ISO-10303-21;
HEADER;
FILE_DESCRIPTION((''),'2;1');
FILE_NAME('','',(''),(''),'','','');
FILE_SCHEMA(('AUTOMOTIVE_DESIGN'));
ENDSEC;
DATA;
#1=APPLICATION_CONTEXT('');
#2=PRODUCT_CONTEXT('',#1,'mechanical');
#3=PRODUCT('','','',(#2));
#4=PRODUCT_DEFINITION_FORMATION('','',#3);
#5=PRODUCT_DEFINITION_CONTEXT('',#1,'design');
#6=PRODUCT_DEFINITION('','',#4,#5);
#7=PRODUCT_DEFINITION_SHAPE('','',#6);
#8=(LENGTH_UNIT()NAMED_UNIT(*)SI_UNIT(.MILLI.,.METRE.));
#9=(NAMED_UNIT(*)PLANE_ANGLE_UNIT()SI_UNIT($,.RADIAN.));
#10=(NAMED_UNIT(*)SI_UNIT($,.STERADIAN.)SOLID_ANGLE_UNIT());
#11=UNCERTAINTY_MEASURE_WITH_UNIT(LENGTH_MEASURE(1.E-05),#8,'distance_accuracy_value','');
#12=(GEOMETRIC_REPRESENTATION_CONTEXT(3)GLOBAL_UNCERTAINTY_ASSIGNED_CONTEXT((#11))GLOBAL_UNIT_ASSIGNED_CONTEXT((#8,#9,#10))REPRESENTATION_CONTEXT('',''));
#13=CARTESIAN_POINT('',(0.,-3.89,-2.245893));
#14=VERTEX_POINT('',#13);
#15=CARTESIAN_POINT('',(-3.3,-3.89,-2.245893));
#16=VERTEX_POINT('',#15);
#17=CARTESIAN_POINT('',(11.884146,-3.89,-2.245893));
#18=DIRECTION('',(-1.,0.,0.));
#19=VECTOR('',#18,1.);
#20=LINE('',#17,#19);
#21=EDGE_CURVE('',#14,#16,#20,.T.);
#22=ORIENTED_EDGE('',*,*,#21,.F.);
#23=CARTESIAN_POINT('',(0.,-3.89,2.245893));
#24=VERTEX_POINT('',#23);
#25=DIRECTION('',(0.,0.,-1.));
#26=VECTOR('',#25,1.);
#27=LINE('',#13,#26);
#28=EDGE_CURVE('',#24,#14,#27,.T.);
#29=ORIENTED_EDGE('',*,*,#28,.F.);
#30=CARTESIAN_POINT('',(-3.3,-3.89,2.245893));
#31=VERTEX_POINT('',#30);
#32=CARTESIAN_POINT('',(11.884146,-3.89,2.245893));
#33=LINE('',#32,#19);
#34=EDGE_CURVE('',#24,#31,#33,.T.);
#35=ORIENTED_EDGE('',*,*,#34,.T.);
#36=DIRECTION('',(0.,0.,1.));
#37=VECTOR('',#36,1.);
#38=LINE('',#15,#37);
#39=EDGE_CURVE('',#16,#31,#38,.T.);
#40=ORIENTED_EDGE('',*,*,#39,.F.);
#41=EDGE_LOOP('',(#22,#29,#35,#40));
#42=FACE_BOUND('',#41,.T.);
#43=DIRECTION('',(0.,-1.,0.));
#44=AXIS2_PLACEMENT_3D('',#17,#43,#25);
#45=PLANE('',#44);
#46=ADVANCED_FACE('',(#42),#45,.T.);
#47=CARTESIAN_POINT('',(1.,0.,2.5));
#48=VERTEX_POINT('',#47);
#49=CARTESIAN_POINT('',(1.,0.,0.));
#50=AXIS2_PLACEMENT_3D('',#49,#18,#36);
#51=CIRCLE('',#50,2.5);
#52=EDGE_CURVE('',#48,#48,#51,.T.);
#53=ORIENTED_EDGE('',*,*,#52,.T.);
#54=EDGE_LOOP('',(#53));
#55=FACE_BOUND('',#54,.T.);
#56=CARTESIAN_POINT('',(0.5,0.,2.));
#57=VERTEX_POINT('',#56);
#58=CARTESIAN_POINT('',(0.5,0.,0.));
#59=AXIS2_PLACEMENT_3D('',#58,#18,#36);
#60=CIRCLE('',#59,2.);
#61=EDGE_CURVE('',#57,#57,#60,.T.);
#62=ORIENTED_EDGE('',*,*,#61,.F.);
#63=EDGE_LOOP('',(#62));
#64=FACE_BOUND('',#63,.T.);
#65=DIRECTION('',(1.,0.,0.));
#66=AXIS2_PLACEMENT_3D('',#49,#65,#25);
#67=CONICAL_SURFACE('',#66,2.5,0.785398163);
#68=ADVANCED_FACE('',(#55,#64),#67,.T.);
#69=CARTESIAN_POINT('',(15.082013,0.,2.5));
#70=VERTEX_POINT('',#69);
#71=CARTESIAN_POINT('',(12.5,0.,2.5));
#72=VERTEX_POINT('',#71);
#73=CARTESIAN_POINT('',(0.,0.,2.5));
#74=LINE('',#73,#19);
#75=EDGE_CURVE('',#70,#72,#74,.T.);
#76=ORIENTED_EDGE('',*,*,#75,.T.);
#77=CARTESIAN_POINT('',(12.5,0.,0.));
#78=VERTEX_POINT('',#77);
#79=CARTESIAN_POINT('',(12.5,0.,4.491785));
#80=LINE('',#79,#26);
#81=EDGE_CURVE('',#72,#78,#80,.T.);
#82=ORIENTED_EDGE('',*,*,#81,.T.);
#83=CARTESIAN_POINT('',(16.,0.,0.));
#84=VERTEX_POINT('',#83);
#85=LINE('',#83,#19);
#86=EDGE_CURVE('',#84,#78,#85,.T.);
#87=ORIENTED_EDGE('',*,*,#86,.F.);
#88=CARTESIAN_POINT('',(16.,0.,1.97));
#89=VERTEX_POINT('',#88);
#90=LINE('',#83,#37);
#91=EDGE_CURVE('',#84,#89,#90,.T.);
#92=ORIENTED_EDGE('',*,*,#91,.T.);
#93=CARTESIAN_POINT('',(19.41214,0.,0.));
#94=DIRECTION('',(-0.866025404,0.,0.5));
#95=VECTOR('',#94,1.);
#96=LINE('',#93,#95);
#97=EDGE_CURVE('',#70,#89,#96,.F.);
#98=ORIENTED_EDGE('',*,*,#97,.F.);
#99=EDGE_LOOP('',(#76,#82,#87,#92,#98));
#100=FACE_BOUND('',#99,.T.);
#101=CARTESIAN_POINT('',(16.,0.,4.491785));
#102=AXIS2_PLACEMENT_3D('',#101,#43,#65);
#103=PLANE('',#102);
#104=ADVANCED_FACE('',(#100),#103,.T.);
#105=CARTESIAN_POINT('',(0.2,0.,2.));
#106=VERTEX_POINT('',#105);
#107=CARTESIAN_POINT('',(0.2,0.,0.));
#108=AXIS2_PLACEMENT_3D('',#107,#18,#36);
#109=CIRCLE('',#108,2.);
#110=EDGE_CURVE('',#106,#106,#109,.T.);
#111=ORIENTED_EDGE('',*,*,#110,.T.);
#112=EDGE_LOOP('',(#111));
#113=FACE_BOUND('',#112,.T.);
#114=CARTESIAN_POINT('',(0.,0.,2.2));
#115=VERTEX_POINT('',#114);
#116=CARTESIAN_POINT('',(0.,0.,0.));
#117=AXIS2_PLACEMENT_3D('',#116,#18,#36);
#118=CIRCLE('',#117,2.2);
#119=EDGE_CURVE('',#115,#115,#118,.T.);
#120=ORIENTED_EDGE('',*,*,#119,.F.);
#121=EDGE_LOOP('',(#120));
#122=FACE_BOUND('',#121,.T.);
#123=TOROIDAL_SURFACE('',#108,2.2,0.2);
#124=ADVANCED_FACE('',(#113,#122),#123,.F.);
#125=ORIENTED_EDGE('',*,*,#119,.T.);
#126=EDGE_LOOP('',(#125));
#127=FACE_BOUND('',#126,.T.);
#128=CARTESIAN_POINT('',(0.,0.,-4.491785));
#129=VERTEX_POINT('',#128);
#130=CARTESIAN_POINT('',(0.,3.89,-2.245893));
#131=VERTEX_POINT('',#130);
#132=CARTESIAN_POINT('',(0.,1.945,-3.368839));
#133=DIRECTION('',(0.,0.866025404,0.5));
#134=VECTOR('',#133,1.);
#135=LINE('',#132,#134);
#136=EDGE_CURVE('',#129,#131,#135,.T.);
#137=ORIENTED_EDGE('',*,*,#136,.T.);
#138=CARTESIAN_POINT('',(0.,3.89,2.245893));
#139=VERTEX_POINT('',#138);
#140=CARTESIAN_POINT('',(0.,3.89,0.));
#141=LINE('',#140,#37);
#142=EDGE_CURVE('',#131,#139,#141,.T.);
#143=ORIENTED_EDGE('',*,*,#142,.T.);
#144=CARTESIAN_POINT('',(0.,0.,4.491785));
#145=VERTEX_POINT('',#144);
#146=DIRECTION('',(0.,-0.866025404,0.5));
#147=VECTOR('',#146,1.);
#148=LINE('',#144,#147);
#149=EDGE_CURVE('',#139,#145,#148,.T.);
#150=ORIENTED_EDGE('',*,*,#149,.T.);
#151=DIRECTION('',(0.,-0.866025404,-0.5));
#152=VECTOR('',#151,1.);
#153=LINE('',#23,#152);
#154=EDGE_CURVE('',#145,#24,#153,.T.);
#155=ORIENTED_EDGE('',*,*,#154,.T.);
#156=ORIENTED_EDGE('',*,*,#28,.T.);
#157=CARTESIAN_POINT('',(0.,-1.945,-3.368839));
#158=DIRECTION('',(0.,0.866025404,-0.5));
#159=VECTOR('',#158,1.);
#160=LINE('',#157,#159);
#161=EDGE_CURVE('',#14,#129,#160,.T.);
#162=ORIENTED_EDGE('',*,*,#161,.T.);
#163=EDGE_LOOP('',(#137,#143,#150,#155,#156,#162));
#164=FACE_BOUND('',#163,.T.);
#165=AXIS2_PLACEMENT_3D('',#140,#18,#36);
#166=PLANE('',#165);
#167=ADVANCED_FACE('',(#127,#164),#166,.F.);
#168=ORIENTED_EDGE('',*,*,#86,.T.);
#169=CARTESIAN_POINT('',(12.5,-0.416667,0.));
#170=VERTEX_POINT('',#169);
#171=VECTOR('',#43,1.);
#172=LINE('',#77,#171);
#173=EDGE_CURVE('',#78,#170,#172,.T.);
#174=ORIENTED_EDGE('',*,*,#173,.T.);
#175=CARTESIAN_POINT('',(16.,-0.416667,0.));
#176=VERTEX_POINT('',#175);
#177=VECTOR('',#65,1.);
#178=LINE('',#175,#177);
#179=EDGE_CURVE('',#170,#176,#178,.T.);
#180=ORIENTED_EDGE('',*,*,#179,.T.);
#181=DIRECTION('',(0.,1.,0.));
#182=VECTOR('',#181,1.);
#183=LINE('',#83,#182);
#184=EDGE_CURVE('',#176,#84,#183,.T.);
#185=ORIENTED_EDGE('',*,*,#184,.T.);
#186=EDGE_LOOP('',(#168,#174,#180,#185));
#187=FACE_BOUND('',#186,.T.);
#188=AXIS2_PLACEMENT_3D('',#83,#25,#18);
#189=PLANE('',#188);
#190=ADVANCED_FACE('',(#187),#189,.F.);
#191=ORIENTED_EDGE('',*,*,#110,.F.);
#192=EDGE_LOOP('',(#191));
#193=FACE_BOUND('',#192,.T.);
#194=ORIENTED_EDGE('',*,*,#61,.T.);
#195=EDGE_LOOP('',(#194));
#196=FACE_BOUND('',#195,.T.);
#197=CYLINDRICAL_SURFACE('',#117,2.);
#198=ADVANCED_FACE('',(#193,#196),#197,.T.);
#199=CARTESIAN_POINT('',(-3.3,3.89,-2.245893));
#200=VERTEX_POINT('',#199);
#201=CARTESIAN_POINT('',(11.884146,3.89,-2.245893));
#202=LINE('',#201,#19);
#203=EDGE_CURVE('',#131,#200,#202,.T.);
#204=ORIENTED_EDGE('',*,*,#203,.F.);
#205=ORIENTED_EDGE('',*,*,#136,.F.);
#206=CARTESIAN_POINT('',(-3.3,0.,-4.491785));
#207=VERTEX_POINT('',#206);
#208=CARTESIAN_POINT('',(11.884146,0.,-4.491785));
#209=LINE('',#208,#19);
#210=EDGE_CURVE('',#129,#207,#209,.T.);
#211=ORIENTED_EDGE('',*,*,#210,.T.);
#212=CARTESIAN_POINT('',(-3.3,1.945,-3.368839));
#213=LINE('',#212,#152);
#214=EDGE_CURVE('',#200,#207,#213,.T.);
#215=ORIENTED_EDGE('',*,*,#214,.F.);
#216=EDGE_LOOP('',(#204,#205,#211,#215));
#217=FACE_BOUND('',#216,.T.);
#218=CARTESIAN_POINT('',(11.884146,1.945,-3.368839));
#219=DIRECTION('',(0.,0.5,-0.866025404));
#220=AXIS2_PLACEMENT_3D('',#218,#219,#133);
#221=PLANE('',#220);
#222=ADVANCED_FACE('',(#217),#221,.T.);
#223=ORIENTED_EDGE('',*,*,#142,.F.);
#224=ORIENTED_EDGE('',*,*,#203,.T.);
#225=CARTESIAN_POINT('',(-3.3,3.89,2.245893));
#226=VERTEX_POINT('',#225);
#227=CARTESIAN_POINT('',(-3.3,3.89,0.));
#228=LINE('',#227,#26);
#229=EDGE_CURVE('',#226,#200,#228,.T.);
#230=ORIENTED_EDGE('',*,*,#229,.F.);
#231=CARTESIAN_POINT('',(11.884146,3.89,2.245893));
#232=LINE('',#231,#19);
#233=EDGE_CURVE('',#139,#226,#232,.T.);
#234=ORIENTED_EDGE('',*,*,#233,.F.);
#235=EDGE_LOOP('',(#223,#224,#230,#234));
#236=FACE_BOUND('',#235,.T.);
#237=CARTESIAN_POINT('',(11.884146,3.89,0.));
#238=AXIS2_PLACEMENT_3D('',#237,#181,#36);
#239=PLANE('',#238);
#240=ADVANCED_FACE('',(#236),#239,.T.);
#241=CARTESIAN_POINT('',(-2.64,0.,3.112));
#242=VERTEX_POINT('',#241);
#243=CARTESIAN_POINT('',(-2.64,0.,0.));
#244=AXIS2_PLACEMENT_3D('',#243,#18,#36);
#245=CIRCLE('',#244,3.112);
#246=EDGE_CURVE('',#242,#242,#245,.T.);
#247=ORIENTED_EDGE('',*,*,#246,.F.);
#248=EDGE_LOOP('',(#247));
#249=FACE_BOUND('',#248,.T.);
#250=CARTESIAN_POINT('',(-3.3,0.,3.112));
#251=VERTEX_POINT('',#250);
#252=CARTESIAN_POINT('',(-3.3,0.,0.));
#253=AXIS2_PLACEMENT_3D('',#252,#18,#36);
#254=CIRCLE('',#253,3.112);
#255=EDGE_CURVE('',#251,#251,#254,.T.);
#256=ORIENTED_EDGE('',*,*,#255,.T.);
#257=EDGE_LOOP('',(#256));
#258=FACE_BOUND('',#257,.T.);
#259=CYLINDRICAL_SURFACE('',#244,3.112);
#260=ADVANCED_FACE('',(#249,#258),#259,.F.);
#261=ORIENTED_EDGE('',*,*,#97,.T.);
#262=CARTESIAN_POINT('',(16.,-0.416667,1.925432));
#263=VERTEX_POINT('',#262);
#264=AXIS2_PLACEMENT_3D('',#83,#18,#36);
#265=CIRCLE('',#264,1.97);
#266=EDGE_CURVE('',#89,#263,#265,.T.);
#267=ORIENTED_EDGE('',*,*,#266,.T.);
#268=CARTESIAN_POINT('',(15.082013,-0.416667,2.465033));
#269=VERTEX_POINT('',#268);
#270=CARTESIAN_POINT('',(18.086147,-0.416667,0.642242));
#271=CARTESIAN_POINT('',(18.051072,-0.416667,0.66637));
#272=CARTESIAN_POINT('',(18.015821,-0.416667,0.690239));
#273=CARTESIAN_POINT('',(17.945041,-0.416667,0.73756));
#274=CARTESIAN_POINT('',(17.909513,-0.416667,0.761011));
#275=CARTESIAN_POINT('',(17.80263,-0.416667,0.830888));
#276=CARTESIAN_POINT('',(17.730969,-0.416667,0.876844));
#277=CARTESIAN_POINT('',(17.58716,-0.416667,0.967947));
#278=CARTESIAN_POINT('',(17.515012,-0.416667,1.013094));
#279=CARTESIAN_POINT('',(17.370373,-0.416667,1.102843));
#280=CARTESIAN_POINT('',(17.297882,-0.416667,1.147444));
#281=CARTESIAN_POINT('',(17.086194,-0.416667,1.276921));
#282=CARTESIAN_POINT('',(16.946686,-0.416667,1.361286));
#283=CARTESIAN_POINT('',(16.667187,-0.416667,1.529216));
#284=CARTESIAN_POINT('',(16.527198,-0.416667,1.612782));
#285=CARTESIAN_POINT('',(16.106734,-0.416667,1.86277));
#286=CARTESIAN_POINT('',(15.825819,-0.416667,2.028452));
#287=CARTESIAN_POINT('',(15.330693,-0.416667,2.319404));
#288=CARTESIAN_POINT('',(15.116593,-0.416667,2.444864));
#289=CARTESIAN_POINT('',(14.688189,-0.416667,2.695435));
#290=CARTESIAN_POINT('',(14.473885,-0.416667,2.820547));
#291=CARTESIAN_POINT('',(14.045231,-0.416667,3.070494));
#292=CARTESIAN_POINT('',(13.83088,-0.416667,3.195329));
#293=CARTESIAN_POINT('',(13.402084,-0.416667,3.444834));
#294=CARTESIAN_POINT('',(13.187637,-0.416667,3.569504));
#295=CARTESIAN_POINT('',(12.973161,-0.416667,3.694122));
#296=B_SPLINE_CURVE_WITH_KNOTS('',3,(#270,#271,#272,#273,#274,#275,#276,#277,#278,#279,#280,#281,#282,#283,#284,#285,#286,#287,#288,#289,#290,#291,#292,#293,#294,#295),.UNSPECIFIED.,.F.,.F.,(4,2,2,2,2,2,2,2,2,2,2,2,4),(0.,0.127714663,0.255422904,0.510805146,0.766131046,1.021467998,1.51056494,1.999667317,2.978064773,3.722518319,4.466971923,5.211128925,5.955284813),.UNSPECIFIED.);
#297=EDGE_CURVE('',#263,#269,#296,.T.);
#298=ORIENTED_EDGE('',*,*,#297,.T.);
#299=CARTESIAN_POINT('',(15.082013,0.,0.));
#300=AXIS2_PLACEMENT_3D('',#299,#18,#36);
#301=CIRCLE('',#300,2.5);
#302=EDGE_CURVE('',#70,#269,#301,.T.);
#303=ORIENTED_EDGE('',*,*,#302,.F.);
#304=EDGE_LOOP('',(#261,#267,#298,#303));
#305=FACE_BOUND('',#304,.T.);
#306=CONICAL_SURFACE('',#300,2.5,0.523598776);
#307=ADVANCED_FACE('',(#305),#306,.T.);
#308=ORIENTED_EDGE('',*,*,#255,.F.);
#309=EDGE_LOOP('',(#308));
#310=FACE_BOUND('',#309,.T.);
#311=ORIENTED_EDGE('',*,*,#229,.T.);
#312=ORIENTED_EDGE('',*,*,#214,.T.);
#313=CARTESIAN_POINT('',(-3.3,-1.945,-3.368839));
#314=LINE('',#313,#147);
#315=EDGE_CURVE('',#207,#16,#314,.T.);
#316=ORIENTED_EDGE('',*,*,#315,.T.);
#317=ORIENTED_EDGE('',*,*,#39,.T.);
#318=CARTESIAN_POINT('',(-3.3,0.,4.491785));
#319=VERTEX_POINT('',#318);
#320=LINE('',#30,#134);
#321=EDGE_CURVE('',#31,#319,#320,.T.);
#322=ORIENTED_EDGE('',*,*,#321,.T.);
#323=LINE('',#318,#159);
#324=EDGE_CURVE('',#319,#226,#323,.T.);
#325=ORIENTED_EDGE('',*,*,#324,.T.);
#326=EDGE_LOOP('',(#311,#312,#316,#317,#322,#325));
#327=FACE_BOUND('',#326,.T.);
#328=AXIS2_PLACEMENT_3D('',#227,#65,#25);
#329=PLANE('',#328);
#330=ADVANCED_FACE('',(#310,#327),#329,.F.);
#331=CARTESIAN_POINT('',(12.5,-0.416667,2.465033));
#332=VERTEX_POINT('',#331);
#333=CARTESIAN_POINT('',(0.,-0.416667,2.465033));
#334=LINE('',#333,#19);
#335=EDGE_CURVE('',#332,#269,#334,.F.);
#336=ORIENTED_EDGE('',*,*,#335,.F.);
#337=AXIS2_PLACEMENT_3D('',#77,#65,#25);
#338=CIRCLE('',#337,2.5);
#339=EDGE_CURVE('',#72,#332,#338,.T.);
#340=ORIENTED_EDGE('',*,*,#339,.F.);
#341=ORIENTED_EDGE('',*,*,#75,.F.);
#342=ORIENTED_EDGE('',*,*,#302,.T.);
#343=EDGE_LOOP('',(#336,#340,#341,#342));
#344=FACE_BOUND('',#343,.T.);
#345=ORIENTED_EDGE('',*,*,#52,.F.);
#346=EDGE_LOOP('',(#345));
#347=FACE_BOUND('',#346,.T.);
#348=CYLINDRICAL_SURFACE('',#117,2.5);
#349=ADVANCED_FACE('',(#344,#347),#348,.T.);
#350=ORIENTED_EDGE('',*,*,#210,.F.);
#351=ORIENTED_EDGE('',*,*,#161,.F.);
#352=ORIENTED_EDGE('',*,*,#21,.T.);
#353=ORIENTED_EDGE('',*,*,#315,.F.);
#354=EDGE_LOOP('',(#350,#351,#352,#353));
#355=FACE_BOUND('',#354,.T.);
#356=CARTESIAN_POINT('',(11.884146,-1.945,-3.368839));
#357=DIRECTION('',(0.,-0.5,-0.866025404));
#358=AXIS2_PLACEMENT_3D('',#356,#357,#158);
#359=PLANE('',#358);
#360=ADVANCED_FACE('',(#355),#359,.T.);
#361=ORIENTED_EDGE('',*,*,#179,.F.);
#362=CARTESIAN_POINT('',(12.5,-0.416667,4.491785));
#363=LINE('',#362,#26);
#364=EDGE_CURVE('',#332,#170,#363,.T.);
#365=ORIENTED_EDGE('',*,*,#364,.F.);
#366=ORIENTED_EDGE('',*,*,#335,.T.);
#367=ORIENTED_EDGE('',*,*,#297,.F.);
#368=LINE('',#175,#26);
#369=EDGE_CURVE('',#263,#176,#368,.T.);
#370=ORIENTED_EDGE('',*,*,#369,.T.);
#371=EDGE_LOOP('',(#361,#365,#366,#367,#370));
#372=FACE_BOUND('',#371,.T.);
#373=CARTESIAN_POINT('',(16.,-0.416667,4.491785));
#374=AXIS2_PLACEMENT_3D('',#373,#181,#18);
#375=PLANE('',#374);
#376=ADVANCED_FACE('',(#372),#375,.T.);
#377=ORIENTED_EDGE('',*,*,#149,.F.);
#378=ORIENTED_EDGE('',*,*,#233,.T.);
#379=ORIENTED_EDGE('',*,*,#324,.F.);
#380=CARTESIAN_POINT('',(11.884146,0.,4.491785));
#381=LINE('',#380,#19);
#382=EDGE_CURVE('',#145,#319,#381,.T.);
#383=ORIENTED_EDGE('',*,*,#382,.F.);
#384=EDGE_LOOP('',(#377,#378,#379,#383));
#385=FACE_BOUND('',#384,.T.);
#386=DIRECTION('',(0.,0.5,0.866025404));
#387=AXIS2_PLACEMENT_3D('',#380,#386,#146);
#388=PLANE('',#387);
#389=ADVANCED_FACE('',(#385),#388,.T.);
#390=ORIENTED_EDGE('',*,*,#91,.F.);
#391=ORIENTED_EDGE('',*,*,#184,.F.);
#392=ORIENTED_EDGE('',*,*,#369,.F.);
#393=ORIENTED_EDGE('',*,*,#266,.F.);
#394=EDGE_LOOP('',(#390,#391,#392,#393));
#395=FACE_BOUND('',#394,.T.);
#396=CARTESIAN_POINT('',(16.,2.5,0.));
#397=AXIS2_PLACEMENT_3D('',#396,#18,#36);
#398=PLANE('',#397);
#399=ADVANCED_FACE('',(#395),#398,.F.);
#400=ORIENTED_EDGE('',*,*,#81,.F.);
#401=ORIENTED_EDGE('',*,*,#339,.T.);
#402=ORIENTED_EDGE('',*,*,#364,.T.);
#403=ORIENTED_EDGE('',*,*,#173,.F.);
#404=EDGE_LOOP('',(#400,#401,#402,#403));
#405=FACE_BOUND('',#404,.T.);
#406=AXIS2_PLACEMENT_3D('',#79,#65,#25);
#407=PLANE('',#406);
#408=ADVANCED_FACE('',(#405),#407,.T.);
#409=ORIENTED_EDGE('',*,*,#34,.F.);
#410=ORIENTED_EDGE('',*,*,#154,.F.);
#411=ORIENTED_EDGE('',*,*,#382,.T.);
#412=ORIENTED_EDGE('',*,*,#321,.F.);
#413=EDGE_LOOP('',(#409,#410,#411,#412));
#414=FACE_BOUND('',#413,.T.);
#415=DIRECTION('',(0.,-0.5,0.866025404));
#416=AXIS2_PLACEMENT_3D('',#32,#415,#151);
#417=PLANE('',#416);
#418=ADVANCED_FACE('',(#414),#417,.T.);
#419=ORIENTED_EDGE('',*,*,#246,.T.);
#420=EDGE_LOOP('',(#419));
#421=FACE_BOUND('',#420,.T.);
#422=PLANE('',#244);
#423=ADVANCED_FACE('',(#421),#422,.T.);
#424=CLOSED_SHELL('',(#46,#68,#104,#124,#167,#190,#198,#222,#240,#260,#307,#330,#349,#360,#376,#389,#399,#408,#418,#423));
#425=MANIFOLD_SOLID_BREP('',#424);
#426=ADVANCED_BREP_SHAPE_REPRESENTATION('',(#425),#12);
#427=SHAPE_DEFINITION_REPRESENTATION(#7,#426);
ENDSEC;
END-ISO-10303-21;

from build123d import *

# Parameters (mm, degrees)
EXTRUDE1_DEPTH           = 3.3
SKETCH11_W               = 3.5
SKETCH11_H               = 0.416666667
POINT_CUT_EXTRUDE8_DEPTH = 18.067754197
SKETCH16_R               = 3.112
CUT_EXTRUDE1_DEPTH       = 0.66


with BuildPart() as part:
    # Sketch1 → base-Revolve (revolve)
    with BuildSketch(Plane.XY, mode=Mode.PRIVATE) as base_revolve_sk:
        with BuildLine():
            Line((16, 2.5), (16, 0))
            Line((16, 0), (0, 0))
            Line((0, 0), (-2.64, 0))
            Line((-2.64, 0), (-3.3, 0))
            Line((-3.3, 0), (-3.3, 3.89))
            Line((-3.3, 3.89), (0, 3.89))
            Line((0, 3.89), (0, 2.2))
            ThreePointArc((0, 2.2), (0.058578644, 2.058578644), (0.2, 2))
            Line((0.2, 2), (0.5, 2))
            Line((0.5, 2), (1, 2.5))
            Line((1, 2.5), (16, 2.5))
        make_face()
    revolve(base_revolve_sk.sketch.rotate(Axis((0, 0, 0), (1, 0, 0)), 90), axis=Axis((0, 0, 0), (1, 0, 0)))

    # Sketch15 → Extrude1 (add)
    with BuildSketch(Plane.ZY.offset(3.3)):
        Polygon((-2.245892547, 3.89), (-4.491785094, 0), (-2.245892547, -3.89), (2.245892547, -3.89), (4.491785094, 0), (2.245892547, 3.89), align=None)
    extrude(amount=-EXTRUDE1_DEPTH)

    # Sketch8 → point_Cut-Revolve1 (revolve, cut)
    with BuildSketch(Plane.XY, mode=Mode.PRIVATE) as point_cut_revolve1_sk:
        Polygon((16, 0), (16.508, 0), (16.508, 3.008), (15.082013072, 3.008), (15.082013072, 2.5), (16, 1.97), align=None)
    revolve(point_cut_revolve1_sk.sketch.rotate(Axis((0, 0, 0), (1, 0, 0)), 90), axis=Axis((0, 0, 0), (1, 0, 0)), mode=Mode.SUBTRACT)

    # Sketch11 → point_Cut-Extrude8 (cut, through all)
    with BuildSketch(Plane.XY):
        with Locations((14.25, -0.208333334)):
            Rectangle(SKETCH11_W, SKETCH11_H)
    extrude(amount=POINT_CUT_EXTRUDE8_DEPTH, mode=Mode.SUBTRACT)

    # Sketch16 → Cut-Extrude1 (cut)
    with BuildSketch(Plane.ZY.offset(3.3)):
        Circle(SKETCH16_R)
    extrude(amount=-CUT_EXTRUDE1_DEPTH, mode=Mode.SUBTRACT)


solid = part.part
